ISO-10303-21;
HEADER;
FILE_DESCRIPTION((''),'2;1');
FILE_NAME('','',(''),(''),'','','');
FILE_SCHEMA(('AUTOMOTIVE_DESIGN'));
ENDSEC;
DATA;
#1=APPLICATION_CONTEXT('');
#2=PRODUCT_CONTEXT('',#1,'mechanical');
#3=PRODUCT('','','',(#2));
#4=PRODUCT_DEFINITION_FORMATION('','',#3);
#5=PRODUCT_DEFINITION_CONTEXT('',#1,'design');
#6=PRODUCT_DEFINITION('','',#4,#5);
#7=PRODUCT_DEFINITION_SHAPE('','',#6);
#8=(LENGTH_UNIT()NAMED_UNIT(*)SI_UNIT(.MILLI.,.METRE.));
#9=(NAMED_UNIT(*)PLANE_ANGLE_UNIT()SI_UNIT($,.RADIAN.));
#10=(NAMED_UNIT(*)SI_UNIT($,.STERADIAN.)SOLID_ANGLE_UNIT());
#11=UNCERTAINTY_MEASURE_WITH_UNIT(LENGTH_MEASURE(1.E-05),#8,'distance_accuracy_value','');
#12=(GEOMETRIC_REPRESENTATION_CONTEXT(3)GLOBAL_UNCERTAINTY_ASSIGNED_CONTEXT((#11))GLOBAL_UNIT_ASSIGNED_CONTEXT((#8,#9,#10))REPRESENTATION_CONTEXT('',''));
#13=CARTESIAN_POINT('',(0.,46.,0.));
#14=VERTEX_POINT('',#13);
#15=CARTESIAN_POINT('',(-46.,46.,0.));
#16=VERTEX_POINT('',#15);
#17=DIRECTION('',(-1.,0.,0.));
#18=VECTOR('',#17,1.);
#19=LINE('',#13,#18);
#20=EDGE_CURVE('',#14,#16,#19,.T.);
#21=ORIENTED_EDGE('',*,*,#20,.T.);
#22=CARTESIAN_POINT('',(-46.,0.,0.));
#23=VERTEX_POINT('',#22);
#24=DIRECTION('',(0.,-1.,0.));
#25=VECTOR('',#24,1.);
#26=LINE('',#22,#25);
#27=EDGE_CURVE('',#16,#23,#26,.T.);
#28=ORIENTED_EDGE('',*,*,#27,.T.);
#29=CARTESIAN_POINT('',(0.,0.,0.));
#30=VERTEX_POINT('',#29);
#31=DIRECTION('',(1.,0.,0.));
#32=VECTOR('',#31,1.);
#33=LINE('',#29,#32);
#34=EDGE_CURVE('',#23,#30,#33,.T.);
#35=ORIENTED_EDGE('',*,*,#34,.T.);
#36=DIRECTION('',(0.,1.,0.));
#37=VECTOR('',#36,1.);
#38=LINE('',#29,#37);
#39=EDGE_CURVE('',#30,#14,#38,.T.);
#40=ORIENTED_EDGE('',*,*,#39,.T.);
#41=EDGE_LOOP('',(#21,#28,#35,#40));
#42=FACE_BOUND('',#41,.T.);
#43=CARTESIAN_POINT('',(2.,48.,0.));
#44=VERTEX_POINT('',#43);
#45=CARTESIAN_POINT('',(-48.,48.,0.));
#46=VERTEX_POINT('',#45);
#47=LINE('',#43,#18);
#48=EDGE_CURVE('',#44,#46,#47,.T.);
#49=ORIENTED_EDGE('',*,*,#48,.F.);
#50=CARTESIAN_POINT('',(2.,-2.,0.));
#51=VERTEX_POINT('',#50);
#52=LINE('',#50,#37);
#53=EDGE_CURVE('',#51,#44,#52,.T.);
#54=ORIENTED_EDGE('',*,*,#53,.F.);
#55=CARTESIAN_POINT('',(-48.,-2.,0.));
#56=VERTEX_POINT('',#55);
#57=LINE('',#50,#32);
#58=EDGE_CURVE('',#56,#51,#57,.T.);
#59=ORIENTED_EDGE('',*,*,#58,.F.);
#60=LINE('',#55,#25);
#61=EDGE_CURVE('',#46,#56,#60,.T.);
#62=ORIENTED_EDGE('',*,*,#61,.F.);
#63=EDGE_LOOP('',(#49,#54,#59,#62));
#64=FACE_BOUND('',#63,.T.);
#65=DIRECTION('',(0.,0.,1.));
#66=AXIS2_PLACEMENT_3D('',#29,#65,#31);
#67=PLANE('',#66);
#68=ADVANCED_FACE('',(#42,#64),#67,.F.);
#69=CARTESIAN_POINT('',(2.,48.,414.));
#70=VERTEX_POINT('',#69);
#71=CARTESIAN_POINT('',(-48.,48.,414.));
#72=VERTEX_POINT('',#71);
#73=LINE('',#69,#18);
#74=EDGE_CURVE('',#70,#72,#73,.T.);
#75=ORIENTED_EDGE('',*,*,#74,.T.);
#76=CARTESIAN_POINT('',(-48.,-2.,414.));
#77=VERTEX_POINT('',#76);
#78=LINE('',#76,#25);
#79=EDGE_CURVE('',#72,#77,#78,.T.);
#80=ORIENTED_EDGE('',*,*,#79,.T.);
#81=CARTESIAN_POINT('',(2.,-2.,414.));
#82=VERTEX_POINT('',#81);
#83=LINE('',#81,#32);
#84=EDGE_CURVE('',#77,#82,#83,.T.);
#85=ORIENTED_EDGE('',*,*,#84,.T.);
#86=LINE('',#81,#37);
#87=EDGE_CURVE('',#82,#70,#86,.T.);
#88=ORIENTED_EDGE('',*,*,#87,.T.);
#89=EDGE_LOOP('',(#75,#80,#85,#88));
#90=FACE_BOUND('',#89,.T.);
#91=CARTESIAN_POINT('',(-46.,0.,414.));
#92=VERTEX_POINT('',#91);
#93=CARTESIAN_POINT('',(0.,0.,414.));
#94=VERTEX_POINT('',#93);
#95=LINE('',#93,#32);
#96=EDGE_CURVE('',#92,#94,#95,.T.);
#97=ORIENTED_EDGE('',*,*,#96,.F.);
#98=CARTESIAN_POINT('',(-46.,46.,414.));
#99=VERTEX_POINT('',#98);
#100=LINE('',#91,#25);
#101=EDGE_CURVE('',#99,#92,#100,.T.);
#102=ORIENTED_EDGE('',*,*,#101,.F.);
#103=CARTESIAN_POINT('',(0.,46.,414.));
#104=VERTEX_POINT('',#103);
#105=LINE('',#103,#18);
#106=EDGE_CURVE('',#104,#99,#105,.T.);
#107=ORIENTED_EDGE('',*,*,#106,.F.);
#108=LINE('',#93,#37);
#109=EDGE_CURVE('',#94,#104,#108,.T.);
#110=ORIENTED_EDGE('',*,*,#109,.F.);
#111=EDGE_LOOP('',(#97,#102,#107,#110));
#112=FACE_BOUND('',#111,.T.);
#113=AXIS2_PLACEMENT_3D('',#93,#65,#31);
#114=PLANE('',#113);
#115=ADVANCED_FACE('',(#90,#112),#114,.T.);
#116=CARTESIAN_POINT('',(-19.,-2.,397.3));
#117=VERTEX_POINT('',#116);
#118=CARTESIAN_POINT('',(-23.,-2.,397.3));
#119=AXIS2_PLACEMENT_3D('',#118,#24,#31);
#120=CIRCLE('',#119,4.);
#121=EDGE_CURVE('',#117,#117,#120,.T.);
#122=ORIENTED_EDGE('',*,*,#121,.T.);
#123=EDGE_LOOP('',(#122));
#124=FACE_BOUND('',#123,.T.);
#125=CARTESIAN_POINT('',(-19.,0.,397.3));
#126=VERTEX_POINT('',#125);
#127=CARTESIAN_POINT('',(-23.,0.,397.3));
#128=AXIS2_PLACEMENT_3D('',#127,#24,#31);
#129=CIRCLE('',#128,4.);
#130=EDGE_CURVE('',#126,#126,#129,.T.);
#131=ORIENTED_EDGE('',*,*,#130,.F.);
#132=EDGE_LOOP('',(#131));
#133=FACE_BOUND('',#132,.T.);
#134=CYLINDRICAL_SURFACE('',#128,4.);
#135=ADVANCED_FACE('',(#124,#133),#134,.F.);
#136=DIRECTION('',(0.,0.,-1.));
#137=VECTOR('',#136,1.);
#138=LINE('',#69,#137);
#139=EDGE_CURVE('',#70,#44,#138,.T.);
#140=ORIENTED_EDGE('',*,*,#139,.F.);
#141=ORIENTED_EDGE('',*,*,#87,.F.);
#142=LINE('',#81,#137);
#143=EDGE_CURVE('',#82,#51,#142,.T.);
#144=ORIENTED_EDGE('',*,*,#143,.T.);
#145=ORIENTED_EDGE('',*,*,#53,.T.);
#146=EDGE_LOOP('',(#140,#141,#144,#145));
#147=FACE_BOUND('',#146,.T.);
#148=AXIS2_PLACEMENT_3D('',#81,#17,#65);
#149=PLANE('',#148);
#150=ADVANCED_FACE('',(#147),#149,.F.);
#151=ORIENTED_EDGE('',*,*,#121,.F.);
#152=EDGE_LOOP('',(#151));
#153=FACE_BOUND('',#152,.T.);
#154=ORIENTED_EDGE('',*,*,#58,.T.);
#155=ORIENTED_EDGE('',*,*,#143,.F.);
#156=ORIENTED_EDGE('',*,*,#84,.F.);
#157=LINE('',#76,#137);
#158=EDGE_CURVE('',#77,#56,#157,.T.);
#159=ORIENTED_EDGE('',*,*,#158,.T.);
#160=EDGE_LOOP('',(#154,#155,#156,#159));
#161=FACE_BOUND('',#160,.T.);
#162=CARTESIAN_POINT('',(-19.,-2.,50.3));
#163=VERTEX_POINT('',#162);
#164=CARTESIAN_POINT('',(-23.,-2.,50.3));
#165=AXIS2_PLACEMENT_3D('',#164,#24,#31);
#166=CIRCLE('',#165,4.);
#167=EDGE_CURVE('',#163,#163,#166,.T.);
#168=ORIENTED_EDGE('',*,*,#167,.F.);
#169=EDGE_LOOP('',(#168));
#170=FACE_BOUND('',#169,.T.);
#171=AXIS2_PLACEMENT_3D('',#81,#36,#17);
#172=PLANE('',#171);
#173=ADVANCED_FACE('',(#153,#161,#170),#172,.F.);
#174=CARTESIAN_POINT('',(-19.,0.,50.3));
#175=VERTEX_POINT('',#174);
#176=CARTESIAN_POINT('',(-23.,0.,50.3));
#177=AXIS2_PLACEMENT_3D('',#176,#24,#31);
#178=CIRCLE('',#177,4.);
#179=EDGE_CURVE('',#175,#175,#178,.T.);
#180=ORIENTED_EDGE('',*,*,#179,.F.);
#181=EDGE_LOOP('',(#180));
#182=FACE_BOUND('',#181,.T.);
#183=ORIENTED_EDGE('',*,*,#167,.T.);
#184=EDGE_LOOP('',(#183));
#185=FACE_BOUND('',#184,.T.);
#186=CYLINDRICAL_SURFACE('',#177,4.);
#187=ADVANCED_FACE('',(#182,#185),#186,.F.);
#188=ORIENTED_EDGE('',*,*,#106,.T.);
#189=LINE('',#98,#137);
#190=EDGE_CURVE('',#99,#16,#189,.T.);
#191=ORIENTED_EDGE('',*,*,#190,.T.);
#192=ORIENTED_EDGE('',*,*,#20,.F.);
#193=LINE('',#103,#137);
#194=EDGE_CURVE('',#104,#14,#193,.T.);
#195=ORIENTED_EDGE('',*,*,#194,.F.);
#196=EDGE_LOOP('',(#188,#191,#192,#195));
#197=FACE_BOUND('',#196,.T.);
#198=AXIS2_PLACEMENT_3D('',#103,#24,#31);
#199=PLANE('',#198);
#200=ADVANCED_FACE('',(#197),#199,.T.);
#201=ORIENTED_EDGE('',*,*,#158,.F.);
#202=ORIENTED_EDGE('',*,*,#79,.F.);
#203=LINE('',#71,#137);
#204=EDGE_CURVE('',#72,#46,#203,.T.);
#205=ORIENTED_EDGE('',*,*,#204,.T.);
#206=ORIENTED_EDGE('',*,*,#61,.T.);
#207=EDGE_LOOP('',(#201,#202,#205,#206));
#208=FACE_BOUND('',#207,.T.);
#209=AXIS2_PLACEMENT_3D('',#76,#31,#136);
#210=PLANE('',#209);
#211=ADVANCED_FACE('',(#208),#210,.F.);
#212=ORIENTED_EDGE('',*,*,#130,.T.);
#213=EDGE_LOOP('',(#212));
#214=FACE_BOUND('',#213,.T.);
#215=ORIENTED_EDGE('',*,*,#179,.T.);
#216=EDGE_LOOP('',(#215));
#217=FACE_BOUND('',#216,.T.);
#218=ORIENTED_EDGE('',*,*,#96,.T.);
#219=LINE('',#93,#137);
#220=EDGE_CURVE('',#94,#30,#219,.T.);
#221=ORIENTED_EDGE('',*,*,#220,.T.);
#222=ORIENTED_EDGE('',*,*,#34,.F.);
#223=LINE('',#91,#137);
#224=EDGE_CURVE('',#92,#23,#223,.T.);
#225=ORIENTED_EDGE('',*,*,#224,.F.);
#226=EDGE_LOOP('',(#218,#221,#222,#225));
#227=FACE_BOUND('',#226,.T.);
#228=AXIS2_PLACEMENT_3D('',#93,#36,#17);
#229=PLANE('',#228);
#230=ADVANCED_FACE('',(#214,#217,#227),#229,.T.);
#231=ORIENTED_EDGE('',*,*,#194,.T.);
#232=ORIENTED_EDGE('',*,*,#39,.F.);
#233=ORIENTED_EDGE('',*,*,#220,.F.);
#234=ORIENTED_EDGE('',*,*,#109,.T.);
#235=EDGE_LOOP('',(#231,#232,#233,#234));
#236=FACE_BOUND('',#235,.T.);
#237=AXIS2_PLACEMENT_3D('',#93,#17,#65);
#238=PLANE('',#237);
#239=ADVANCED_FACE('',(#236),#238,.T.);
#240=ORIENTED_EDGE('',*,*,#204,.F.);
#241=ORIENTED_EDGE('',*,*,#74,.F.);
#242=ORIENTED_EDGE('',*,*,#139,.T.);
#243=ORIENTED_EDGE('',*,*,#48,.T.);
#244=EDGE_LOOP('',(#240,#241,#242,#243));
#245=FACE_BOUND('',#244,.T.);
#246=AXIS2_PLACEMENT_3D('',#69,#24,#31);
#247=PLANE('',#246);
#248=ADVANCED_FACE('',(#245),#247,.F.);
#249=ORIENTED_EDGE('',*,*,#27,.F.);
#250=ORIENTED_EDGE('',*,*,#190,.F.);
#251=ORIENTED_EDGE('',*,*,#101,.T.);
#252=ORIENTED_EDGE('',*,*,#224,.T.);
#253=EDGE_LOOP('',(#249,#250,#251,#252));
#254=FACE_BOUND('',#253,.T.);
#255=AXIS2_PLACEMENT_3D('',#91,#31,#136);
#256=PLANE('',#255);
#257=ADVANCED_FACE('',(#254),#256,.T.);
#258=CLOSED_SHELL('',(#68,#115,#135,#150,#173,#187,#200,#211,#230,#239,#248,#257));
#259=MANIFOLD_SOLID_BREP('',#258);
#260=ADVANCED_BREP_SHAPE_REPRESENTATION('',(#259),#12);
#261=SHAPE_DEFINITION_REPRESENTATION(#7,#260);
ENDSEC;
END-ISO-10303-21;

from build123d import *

# Parameters (mm, degrees)
SKETCH1_W          = 50
SKETCH1_H          = 50
SKETCH1_W_2        = 46
SKETCH1_H_2        = 46
STEELTUBE_DEPTH    = 414
SKETCH2_R          = 4
CUT_EXTRUDE1_DEPTH = 2


with BuildPart() as part:
    # Sketch1 → steelTube (new body)
    with BuildSketch(Plane.XY):
        with Locations((-23, 23)):
            Rectangle(SKETCH1_W, SKETCH1_H)
        with Locations((-23, 23)):
            Rectangle(SKETCH1_W_2, SKETCH1_H_2, mode=Mode.SUBTRACT)
    extrude(amount=STEELTUBE_DEPTH)

    # Sketch2 → Cut-Extrude1 (cut)
    with BuildSketch(Plane.XZ.offset(2)):
        with Locations((-23, 50.3)):
            Circle(SKETCH2_R)
        with Locations((-23, 397.3)):
            Circle(SKETCH2_R)
    extrude(amount=-CUT_EXTRUDE1_DEPTH, mode=Mode.SUBTRACT)


solid = part.part
